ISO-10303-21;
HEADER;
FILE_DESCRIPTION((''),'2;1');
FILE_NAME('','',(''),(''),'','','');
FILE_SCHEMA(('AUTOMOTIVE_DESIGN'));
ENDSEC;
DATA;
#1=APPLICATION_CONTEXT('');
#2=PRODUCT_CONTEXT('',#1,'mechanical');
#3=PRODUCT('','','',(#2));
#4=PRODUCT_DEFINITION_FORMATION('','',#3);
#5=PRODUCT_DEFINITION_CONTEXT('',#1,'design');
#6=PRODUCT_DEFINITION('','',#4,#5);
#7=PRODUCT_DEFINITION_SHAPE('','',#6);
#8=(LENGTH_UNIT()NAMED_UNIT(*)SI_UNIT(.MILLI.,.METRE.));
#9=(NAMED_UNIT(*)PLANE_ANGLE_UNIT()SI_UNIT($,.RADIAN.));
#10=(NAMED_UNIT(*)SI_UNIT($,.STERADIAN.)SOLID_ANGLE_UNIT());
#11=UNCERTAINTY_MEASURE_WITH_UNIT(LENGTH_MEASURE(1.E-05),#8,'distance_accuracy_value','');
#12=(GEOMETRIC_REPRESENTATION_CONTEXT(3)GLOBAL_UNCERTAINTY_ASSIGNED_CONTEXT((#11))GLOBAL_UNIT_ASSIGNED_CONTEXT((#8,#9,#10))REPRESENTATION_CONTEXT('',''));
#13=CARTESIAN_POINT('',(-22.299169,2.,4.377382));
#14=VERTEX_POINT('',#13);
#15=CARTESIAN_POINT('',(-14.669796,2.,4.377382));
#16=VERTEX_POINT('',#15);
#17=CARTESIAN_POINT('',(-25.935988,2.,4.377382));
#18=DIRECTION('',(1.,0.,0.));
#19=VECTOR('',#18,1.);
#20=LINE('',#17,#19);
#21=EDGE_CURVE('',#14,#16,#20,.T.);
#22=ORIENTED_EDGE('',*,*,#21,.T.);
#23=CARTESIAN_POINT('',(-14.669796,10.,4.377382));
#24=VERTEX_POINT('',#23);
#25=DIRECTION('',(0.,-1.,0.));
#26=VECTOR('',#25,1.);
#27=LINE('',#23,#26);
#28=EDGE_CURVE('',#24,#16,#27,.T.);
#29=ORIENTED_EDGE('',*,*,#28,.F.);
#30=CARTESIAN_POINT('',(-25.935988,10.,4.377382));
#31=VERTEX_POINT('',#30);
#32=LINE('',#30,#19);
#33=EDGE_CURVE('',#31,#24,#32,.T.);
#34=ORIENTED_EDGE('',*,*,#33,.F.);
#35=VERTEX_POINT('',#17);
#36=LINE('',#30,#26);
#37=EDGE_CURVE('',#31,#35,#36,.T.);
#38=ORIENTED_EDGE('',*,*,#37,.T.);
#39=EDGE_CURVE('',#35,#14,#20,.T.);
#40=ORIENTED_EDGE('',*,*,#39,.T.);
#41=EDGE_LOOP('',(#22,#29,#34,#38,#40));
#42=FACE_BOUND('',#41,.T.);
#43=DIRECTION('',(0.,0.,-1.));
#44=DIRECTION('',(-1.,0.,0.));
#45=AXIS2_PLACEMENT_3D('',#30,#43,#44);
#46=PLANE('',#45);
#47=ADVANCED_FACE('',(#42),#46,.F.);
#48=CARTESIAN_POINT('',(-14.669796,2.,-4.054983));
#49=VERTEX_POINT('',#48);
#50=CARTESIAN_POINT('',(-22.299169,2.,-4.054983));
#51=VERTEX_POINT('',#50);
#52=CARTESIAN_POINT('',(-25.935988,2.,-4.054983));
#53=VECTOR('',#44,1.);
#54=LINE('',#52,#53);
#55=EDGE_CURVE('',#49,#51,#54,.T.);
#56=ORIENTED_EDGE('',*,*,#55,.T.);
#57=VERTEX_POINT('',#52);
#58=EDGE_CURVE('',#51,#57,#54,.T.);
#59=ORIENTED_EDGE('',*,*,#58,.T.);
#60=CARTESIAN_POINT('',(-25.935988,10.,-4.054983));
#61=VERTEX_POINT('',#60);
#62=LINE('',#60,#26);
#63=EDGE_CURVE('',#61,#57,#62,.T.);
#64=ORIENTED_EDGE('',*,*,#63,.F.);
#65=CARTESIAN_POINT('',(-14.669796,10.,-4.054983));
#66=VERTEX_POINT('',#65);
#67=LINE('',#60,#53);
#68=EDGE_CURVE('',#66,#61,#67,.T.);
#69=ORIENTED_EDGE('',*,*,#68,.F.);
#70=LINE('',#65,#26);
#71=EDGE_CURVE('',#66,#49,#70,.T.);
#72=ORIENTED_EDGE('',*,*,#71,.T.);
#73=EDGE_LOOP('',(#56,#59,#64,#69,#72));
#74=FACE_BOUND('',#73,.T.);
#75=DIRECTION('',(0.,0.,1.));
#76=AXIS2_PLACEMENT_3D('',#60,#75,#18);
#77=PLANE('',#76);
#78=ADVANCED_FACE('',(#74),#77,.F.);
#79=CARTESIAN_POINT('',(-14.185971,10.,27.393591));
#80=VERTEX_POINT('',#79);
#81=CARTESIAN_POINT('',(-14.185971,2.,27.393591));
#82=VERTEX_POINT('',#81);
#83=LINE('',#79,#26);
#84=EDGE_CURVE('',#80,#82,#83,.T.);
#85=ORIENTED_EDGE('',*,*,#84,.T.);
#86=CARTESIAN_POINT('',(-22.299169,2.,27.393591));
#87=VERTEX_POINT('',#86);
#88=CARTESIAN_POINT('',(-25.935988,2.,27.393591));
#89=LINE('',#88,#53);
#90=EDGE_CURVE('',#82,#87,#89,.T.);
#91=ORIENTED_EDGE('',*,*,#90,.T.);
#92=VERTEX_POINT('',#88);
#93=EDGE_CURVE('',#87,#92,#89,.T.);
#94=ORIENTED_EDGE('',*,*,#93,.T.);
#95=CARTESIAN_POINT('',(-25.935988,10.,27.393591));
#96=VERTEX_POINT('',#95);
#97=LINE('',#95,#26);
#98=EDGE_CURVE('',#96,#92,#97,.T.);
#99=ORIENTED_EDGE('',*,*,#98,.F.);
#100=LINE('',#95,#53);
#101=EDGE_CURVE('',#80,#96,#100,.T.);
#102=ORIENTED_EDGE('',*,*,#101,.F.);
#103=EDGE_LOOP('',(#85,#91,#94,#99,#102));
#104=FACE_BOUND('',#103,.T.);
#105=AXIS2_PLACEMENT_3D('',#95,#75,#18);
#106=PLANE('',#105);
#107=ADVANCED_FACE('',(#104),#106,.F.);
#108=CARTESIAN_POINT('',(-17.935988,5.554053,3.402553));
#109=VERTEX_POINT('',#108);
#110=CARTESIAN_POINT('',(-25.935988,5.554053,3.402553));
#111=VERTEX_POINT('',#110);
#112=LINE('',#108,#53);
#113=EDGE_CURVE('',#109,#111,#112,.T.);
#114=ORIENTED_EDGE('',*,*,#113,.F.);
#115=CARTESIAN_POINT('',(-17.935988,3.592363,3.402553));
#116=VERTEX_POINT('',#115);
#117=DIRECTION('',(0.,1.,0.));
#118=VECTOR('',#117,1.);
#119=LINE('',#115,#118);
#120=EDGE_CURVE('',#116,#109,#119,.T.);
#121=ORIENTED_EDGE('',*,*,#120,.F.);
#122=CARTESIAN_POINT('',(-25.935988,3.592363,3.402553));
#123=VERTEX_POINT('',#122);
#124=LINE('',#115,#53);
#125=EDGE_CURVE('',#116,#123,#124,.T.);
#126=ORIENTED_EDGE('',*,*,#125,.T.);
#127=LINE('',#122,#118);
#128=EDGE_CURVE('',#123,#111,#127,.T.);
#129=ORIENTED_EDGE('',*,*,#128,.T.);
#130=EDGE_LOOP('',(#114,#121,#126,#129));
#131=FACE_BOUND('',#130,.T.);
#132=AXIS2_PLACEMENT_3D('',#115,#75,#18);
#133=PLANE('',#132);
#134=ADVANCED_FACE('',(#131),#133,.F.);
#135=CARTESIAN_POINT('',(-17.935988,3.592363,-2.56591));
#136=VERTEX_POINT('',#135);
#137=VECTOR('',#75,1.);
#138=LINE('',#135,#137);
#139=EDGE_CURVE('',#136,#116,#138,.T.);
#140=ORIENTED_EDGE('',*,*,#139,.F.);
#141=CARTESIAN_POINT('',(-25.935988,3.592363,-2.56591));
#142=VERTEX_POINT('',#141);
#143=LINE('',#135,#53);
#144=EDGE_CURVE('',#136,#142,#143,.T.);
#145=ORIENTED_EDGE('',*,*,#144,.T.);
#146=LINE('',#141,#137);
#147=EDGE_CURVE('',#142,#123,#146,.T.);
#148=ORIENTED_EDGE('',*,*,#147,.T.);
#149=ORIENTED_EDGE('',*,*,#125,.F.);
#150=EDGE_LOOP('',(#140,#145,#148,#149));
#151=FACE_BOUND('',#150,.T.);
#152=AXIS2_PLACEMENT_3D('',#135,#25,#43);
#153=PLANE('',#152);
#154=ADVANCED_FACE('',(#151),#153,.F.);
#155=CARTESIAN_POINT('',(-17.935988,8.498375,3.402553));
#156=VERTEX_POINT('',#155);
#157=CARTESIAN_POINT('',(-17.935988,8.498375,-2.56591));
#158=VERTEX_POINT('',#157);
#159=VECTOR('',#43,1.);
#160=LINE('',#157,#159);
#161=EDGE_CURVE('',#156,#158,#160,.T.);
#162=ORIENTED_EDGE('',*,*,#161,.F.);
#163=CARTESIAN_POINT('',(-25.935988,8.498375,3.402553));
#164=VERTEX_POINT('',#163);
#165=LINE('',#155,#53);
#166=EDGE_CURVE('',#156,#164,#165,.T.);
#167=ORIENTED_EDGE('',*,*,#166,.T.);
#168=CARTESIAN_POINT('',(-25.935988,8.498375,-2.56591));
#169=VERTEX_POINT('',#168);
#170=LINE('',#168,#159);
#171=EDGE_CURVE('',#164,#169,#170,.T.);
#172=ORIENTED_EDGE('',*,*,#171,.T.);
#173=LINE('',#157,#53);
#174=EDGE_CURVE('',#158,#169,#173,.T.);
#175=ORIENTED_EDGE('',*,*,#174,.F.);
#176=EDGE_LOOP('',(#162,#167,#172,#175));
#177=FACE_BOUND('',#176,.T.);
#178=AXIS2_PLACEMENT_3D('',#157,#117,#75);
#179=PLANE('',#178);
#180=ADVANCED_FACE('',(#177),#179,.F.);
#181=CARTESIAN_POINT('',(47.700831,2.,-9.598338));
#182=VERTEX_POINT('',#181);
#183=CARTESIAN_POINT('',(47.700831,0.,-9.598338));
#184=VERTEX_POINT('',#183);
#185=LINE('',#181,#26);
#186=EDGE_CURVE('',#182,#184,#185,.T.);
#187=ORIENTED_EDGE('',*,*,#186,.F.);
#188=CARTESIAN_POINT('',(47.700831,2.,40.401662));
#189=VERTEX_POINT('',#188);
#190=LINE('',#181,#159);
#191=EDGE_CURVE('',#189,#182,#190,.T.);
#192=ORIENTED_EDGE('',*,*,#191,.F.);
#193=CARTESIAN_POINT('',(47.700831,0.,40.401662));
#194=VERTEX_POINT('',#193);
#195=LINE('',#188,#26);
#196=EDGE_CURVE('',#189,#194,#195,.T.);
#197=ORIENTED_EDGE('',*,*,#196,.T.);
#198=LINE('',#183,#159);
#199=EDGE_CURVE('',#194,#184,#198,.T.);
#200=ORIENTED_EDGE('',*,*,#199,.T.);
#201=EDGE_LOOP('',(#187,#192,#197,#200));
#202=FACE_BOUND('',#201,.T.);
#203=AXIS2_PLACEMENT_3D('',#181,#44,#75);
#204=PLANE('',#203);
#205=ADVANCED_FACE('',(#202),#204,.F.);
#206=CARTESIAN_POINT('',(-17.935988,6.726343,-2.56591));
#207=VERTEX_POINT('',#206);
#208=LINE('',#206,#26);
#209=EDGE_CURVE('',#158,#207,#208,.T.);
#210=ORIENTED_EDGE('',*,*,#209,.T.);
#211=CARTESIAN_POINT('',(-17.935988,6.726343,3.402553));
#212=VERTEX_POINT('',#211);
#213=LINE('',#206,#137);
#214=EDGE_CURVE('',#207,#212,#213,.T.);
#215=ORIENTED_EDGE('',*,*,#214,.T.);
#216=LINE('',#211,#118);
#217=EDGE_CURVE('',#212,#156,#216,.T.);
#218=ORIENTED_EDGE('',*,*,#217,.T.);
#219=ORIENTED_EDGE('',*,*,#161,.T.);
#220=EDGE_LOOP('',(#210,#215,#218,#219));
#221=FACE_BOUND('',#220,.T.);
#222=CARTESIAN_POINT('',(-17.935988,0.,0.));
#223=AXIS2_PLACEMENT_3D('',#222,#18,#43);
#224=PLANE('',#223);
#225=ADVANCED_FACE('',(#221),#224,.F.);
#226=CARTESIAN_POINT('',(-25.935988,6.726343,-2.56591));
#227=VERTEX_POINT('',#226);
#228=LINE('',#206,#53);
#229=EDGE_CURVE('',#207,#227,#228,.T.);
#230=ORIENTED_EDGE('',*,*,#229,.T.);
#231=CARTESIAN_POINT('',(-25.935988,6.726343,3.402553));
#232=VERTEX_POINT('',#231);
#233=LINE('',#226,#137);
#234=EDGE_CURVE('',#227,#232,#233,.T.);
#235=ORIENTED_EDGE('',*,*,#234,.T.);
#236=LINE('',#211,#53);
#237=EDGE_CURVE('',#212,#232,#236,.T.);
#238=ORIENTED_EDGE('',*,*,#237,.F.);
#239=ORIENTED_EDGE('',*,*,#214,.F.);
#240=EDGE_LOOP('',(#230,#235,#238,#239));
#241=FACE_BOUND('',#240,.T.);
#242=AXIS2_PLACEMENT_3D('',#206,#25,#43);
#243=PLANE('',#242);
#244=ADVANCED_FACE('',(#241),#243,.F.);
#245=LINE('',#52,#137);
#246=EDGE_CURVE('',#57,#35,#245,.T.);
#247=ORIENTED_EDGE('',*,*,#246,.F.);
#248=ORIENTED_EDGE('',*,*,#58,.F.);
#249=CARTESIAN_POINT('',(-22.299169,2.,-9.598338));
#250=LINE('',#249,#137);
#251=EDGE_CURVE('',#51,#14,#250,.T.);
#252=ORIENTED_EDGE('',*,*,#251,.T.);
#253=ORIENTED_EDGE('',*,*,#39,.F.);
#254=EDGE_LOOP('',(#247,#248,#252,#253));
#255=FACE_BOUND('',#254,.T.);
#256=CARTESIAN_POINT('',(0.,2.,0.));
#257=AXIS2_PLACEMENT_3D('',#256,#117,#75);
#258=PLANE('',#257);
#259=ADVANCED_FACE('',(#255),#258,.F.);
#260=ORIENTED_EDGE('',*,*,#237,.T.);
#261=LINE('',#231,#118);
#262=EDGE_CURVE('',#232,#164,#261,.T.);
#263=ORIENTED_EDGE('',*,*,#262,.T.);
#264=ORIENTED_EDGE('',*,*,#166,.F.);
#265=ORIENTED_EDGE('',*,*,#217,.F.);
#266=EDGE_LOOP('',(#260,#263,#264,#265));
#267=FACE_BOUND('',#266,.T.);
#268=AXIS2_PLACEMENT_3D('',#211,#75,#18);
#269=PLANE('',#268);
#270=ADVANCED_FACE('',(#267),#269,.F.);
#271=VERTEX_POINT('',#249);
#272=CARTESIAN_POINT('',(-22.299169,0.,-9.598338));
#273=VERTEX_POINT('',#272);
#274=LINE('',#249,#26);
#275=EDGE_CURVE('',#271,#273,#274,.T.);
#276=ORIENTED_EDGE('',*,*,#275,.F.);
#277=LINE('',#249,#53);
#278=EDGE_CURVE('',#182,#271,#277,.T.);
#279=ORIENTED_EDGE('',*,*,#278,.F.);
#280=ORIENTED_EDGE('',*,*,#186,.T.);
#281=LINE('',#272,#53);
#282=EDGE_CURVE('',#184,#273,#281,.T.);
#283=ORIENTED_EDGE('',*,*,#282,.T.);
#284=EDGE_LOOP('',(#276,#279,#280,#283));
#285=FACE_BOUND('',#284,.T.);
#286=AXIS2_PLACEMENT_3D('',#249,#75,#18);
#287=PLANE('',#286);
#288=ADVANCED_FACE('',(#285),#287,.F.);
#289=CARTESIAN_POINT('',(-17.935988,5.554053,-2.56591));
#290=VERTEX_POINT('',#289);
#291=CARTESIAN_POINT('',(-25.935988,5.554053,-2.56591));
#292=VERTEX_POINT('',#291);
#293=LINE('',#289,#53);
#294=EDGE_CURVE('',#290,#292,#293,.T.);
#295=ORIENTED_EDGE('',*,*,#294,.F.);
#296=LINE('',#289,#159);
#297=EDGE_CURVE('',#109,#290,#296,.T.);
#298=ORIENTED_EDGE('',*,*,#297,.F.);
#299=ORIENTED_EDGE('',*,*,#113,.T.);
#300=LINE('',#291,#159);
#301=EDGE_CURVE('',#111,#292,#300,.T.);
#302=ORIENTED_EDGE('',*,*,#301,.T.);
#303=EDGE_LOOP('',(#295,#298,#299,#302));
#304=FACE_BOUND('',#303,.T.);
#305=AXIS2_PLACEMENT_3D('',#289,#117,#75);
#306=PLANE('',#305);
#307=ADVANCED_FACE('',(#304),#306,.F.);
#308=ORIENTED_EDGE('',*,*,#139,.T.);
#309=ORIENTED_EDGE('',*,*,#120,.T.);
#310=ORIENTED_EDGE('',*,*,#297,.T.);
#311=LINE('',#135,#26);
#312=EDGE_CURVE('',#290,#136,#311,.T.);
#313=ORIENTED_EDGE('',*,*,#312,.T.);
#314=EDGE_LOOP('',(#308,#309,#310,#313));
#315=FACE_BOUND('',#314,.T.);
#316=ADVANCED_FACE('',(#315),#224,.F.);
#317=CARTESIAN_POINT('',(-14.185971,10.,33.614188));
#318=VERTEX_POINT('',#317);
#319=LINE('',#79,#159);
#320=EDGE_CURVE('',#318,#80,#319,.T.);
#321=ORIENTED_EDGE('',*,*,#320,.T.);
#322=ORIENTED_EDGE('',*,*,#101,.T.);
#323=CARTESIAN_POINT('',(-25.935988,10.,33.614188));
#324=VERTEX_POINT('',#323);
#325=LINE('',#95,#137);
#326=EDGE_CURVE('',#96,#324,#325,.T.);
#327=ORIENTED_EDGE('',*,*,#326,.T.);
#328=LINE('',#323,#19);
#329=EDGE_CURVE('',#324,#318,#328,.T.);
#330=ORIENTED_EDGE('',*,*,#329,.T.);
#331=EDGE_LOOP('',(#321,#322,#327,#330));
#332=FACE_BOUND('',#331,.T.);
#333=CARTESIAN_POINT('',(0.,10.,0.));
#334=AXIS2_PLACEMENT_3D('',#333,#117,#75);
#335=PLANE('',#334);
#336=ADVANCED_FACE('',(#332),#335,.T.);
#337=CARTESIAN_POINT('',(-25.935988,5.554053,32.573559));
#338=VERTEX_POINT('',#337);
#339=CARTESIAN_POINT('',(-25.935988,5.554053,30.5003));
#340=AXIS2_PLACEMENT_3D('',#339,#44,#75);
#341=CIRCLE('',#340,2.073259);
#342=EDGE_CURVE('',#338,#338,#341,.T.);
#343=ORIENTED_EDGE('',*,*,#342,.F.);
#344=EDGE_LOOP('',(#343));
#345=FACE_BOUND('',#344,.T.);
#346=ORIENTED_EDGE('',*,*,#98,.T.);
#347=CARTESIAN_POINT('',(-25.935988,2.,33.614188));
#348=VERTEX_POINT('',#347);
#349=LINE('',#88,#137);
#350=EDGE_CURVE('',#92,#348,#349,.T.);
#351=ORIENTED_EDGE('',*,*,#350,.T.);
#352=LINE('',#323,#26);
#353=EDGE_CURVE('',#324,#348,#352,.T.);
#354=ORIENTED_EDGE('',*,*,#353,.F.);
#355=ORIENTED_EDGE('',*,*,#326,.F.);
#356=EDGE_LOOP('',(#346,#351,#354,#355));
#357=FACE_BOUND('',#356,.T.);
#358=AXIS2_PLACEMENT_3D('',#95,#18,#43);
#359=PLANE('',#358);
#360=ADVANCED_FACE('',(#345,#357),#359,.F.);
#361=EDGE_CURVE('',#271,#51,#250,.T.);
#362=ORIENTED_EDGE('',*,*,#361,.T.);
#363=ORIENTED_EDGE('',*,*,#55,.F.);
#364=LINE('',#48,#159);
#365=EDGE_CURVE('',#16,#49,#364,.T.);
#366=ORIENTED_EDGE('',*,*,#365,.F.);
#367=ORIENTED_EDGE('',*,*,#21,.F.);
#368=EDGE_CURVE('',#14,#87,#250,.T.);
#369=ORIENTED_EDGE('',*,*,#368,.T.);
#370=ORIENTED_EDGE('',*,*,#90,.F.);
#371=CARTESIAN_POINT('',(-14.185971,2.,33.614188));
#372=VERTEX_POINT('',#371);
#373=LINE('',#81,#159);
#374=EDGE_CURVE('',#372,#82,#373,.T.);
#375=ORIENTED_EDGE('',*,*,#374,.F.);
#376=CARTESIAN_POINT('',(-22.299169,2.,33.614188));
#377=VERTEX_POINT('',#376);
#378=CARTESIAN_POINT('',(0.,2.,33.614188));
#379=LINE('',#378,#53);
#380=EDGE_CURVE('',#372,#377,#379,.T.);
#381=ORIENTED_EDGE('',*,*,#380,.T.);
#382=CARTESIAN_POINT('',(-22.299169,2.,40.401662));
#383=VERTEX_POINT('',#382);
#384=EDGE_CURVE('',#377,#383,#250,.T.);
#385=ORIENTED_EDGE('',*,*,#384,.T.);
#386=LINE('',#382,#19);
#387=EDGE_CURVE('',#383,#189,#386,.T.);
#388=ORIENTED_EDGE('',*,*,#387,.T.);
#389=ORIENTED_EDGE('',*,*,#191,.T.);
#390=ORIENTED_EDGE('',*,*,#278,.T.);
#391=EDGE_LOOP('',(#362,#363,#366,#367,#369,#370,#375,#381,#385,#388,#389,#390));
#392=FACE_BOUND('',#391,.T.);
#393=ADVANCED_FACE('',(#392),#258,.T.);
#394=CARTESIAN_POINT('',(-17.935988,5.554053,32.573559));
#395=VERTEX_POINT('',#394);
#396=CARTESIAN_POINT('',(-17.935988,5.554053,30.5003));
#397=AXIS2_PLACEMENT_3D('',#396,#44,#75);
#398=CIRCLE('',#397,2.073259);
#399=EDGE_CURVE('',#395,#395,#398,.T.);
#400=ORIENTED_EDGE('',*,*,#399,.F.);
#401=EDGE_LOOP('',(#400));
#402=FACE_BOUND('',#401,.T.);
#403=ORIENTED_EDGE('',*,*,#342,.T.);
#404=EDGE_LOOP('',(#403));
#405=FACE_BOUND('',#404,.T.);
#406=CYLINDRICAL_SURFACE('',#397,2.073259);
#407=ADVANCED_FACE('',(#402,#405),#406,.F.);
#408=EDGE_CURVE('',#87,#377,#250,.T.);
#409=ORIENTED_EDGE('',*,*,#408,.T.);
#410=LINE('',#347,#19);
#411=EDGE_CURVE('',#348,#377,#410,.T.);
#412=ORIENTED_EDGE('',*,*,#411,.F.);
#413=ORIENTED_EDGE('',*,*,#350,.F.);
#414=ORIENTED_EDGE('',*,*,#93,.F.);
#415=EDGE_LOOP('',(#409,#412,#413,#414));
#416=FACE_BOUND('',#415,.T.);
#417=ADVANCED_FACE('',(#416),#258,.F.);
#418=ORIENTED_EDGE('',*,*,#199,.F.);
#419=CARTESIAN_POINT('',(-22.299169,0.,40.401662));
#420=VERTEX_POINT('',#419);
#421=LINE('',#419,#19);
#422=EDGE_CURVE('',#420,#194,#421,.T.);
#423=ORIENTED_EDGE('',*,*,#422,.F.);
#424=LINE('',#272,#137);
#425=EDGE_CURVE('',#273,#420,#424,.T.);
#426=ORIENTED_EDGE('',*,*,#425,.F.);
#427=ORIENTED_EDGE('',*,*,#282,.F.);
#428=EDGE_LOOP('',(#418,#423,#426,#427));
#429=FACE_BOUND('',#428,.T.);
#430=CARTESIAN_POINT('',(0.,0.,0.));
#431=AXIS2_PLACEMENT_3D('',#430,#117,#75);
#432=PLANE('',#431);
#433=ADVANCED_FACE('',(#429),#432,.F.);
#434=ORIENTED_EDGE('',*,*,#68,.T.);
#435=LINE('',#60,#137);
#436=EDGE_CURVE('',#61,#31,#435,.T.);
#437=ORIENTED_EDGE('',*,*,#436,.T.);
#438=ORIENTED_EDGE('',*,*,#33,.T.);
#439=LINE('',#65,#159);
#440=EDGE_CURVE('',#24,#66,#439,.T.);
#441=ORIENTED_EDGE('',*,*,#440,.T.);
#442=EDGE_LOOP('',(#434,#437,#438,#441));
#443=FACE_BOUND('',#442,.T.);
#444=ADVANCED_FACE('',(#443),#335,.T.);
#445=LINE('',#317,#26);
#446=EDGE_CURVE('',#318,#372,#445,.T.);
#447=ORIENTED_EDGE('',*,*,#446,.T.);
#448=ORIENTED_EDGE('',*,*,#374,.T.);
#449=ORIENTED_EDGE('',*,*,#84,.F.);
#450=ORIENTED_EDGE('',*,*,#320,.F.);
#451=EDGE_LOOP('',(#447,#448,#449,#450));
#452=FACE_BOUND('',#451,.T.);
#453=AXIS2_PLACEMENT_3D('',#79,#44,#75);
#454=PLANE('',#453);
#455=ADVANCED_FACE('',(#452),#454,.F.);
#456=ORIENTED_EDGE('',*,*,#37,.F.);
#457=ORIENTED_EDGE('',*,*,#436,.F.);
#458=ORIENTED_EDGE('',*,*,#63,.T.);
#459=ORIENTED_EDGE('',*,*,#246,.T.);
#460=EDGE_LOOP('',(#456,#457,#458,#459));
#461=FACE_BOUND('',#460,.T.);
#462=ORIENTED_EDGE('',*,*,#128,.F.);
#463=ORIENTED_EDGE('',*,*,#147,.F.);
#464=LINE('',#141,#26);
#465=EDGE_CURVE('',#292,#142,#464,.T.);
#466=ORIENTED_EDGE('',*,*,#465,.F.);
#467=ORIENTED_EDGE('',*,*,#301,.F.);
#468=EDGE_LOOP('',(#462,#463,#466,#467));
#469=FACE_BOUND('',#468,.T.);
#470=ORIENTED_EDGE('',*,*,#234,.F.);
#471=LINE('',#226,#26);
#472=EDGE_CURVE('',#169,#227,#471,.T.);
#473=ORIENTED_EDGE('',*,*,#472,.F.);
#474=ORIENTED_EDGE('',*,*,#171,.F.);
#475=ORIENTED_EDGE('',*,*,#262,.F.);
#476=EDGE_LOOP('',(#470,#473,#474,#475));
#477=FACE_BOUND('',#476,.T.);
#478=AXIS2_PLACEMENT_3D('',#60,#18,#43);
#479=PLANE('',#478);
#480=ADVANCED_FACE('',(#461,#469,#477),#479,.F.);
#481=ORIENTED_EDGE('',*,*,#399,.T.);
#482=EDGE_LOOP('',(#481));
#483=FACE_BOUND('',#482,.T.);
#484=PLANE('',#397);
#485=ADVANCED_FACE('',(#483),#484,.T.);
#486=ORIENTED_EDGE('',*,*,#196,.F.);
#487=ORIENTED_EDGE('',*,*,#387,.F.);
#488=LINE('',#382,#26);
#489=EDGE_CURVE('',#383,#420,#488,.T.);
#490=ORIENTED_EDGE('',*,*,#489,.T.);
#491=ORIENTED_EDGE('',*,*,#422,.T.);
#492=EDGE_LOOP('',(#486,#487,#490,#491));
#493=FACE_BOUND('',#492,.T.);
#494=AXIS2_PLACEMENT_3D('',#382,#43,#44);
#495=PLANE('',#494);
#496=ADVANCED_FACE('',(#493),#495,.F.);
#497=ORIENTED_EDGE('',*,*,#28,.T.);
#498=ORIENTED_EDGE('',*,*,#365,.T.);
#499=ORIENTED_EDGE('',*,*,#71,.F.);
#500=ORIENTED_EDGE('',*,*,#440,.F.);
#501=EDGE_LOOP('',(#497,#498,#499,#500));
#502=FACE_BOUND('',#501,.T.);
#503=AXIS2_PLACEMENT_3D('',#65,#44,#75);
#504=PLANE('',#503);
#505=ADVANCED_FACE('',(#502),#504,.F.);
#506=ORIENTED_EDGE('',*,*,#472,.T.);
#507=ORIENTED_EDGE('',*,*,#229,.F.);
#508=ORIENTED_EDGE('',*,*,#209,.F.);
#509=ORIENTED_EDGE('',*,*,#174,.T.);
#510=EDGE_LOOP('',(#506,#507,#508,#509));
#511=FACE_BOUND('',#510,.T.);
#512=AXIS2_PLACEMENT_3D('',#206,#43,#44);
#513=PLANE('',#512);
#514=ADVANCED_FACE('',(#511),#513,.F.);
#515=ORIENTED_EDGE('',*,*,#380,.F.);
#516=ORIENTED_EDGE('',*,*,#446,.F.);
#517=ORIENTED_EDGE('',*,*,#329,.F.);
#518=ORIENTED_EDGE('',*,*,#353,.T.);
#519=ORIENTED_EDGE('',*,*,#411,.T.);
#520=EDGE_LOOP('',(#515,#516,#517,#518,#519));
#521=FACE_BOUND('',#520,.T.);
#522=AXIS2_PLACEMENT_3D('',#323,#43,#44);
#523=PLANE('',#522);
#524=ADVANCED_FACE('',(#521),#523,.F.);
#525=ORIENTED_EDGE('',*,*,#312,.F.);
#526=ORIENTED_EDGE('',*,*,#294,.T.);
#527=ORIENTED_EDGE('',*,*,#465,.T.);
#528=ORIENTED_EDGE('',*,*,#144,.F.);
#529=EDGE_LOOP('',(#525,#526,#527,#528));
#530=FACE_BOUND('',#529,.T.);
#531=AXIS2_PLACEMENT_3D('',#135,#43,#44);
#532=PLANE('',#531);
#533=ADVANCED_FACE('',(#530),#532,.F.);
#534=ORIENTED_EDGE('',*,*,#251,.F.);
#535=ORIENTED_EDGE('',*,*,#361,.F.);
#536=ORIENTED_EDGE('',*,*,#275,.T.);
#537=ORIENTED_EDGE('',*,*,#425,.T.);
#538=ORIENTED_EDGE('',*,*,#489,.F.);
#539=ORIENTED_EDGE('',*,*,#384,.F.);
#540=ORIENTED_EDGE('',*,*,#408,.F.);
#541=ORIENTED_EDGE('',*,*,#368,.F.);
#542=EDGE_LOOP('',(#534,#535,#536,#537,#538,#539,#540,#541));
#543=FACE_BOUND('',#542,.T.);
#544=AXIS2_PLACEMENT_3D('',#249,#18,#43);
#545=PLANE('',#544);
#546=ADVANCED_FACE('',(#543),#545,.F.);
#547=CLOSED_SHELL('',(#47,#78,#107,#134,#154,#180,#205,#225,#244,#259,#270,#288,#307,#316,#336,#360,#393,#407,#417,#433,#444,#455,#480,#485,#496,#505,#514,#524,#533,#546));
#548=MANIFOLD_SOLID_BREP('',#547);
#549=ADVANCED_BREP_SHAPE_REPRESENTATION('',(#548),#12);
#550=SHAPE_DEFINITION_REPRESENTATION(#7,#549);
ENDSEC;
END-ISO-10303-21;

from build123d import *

# Parameters (mm, degrees)
SKETCH_1_W          = 70
SKETCH_1_H          = 50
EXTRUDE_1_DEPTH     = 2
SKETCH_2_W          = 11.266192233
SKETCH_2_H          = 8.432364739
SKETCH_2_W_2        = 11.75001644
SKETCH_2_H_2        = 6.220596939
EXTRUDE_2_DEPTH     = 8
SKETCH_3_R          = 2.073259277
SKETCH_3_W          = 5.968463231
SKETCH_3_H          = 1.961690003
SKETCH_3_H_2        = 1.772031982
CUT_EXTRUDE_1_DEPTH = 8


with BuildPart() as part:
    # 草图1 → 凸台-拉伸1 (new body)
    with BuildSketch(Plane(origin=(0, 0, 0), x_dir=(1, 0, 0), z_dir=(0, 1, 0))):
        with Locations((12.700831025, -15.40166205)):
            Rectangle(SKETCH_1_W, SKETCH_1_H)
    extrude(amount=EXTRUDE_1_DEPTH)

    # 草图2 → 凸台-拉伸2 (add)
    with BuildSketch(Plane(origin=(0, 2, 0), x_dir=(1, 0, 0), z_dir=(0, 1, 0))):
        with Locations((-20.302891623, -0.16119955)):
            Rectangle(SKETCH_2_W, SKETCH_2_H)
        with Locations((-20.060979519, -30.503889063)):
            Rectangle(SKETCH_2_W_2, SKETCH_2_H_2)
    extrude(amount=EXTRUDE_2_DEPTH)

    # 草图3 → 切除-拉伸1 (cut)
    with BuildSketch(Plane.ZY.offset(25.935987739)):
        with Locations((30.500300108, 5.554053281)):
            Circle(SKETCH_3_R)
        with Locations((0.41832149, 4.57320828)):
            Rectangle(SKETCH_3_W, SKETCH_3_H)
        with Locations((0.41832149, 7.612359017)):
            Rectangle(SKETCH_3_W, SKETCH_3_H_2)
    extrude(amount=-CUT_EXTRUDE_1_DEPTH, mode=Mode.SUBTRACT)


solid = part.part
